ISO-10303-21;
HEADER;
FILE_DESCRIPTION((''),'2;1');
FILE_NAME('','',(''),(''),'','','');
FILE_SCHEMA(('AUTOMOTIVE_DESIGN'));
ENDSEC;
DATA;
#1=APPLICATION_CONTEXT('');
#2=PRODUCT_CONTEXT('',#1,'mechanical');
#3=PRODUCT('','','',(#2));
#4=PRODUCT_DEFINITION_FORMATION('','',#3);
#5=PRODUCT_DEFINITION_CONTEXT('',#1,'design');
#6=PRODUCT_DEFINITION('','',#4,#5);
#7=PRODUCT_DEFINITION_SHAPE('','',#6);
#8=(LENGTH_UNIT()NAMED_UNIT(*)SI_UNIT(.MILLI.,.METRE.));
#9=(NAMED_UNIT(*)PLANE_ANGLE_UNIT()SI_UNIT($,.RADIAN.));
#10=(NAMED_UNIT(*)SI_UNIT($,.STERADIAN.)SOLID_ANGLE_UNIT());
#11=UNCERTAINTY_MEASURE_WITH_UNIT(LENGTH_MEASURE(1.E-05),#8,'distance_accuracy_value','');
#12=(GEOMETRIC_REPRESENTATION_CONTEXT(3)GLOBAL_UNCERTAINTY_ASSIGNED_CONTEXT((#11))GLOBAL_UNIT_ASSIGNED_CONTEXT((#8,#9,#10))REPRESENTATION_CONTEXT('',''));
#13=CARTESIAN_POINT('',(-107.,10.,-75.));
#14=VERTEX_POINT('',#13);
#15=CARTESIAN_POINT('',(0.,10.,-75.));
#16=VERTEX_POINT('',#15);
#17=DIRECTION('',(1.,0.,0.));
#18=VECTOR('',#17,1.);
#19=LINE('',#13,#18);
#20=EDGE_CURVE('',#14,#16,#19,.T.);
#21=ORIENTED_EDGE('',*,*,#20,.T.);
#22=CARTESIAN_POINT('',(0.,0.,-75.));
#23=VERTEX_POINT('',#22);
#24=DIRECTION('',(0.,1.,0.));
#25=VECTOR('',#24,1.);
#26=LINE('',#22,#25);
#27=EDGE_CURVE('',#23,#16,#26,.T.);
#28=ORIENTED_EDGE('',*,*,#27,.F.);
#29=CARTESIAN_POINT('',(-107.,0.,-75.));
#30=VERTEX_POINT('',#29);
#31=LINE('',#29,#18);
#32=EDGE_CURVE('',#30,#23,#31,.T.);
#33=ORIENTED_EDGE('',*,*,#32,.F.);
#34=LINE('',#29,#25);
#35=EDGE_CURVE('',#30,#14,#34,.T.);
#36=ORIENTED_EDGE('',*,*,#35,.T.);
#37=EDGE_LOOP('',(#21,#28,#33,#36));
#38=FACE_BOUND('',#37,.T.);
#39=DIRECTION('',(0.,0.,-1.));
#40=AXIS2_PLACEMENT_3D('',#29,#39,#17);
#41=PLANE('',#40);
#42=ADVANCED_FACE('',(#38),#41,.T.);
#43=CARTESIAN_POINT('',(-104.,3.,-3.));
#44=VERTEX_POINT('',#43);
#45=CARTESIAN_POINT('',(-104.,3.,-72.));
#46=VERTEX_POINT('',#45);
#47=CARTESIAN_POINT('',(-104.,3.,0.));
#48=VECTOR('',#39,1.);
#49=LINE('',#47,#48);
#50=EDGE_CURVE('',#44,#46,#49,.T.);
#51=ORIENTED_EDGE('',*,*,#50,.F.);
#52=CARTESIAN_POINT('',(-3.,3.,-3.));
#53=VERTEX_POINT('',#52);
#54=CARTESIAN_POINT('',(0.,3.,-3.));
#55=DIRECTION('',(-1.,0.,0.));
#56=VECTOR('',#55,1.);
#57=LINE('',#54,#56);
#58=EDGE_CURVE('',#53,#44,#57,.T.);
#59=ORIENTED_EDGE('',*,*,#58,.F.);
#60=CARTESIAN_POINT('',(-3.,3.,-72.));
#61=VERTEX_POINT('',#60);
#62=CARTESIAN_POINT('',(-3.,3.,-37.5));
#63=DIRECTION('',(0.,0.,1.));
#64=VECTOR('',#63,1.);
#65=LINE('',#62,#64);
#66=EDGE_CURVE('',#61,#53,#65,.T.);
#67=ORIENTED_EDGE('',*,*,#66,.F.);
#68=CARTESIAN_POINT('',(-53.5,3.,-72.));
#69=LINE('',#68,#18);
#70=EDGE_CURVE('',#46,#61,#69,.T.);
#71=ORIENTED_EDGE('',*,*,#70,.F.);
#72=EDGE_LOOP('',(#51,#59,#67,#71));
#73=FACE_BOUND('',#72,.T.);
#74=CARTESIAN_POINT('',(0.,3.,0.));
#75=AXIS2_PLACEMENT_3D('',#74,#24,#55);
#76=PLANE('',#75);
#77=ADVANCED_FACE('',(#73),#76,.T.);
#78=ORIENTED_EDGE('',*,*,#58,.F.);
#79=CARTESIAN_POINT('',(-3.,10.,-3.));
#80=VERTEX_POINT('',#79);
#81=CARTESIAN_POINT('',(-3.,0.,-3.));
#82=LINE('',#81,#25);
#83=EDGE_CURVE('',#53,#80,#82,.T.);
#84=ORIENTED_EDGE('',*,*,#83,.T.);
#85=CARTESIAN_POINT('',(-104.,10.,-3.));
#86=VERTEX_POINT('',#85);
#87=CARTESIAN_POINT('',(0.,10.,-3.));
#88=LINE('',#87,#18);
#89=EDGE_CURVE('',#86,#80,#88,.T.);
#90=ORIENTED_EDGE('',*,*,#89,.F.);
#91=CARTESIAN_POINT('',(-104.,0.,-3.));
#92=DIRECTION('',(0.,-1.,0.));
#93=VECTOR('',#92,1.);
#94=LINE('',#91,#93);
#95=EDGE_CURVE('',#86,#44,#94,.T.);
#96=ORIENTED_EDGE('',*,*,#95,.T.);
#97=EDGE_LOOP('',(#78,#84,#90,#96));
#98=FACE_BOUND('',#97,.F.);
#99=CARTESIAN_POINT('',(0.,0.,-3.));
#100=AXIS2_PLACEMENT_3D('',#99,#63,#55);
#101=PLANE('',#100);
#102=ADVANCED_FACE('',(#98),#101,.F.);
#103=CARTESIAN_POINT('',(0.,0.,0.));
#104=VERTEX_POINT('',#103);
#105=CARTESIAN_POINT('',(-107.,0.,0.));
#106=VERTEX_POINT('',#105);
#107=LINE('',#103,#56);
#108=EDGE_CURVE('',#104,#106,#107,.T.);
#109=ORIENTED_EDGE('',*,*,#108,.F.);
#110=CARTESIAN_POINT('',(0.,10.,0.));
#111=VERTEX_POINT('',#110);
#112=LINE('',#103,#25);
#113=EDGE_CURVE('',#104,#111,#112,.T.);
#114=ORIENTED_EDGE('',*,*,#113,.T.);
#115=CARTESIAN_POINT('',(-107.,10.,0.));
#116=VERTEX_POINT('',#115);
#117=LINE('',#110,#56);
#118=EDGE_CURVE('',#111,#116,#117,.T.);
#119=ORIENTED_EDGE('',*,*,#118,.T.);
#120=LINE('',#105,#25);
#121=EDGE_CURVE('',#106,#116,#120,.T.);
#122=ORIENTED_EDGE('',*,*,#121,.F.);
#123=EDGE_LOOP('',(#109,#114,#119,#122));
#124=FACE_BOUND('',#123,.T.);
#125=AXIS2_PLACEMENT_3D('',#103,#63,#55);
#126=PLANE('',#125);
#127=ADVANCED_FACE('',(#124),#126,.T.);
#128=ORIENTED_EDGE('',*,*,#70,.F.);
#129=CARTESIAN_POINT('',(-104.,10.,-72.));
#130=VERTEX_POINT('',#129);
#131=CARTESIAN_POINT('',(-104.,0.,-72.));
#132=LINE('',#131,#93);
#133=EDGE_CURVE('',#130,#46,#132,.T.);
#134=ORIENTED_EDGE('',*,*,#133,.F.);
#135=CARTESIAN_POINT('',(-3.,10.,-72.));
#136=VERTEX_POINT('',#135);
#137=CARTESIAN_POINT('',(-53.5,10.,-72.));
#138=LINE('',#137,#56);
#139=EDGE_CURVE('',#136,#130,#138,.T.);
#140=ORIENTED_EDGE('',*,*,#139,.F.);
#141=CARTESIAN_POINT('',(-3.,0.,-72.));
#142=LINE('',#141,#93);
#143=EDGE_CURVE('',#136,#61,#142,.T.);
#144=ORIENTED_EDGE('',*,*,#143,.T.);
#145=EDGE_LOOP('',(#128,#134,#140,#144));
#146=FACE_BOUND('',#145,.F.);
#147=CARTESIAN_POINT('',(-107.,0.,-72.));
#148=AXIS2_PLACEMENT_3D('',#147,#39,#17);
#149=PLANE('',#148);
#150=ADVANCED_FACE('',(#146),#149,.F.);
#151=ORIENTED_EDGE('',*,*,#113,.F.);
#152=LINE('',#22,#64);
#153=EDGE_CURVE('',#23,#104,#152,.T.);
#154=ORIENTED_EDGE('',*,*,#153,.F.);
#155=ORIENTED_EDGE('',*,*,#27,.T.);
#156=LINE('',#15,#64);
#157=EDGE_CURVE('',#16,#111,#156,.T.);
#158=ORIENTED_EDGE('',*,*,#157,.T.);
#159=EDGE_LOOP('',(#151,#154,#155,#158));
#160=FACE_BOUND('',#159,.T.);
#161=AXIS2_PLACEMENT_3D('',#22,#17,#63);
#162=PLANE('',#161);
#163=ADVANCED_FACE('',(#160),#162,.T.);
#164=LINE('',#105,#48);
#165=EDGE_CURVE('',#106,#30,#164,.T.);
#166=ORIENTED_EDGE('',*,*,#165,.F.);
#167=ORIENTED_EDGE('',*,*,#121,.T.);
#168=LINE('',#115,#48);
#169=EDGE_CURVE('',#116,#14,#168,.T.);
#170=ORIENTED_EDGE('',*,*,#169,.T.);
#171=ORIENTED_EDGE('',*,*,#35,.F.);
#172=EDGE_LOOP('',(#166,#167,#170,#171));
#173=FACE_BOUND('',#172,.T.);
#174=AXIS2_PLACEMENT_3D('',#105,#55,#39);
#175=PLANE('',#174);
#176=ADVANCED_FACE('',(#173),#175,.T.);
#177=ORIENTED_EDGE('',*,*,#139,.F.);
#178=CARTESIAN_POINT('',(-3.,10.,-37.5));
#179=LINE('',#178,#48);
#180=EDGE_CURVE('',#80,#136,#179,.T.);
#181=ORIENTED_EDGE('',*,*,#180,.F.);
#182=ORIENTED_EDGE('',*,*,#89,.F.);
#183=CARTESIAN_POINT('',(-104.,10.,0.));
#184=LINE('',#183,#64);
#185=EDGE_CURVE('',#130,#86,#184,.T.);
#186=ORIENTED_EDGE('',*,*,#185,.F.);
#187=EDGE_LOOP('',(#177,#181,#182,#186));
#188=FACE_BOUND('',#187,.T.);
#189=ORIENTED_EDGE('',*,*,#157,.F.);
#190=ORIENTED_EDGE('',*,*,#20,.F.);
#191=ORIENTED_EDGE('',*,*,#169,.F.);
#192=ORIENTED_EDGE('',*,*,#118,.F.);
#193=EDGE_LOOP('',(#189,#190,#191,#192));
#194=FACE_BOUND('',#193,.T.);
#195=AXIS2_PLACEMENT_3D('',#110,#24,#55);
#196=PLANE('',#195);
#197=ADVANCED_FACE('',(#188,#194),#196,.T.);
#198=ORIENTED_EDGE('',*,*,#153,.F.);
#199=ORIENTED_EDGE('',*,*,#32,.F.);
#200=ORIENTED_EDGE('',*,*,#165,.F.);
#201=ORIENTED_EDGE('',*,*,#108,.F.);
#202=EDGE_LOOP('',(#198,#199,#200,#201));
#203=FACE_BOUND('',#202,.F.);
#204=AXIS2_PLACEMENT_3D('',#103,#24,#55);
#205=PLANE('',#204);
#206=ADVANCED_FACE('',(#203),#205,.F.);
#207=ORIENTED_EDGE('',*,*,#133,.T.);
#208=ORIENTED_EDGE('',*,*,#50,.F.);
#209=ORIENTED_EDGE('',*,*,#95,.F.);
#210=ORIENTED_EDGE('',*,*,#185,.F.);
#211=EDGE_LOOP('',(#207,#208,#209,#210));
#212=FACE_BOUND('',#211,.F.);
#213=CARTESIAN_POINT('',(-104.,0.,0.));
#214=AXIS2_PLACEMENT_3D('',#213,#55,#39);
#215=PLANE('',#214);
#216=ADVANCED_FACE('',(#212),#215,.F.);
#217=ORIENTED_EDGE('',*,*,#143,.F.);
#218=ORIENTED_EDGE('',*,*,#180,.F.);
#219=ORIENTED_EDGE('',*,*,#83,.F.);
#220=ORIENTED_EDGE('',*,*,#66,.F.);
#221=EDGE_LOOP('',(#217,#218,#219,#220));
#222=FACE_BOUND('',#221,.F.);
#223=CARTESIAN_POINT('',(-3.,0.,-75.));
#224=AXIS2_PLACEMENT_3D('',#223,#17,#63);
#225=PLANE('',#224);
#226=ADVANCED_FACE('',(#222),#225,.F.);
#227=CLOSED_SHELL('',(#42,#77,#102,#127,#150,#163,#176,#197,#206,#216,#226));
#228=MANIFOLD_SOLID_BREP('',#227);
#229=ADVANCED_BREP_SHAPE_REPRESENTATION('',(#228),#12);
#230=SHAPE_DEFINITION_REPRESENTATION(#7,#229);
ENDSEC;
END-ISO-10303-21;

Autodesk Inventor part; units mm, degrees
ref_plane "YZ Plane" through (0, 0, 0) normal (1, 0, 0) x (0, 1, 0)
ref_plane "XZ Plane" through (0, 0, 0) normal (0, 1, 0) x (-1, 0, 0)
ref_plane "XY Plane" through (0, 0, 0) normal (0, 0, 1) x (1, 0, 0)
sketch "スケッチ1" plane through (0, 0, 0) normal (0, 1, 0) x (-1, 0, 0)
  line L0 (0, 0) -> (107, 0)
  line L1 (107, 0) -> (107, -75)
  line L2 (107, -75) -> (0, -75)
  line L3 (0, -75) -> (0, 0)
  dimension "d0" = 75
  dimension "d1" = 107
extrude "押し出し1" add sketch "スケッチ1" along normal blind 10
shell "シェル1" thickness 3 removed faces 1 at (-71.3333, 10, -50)
properties part number "arduino"
